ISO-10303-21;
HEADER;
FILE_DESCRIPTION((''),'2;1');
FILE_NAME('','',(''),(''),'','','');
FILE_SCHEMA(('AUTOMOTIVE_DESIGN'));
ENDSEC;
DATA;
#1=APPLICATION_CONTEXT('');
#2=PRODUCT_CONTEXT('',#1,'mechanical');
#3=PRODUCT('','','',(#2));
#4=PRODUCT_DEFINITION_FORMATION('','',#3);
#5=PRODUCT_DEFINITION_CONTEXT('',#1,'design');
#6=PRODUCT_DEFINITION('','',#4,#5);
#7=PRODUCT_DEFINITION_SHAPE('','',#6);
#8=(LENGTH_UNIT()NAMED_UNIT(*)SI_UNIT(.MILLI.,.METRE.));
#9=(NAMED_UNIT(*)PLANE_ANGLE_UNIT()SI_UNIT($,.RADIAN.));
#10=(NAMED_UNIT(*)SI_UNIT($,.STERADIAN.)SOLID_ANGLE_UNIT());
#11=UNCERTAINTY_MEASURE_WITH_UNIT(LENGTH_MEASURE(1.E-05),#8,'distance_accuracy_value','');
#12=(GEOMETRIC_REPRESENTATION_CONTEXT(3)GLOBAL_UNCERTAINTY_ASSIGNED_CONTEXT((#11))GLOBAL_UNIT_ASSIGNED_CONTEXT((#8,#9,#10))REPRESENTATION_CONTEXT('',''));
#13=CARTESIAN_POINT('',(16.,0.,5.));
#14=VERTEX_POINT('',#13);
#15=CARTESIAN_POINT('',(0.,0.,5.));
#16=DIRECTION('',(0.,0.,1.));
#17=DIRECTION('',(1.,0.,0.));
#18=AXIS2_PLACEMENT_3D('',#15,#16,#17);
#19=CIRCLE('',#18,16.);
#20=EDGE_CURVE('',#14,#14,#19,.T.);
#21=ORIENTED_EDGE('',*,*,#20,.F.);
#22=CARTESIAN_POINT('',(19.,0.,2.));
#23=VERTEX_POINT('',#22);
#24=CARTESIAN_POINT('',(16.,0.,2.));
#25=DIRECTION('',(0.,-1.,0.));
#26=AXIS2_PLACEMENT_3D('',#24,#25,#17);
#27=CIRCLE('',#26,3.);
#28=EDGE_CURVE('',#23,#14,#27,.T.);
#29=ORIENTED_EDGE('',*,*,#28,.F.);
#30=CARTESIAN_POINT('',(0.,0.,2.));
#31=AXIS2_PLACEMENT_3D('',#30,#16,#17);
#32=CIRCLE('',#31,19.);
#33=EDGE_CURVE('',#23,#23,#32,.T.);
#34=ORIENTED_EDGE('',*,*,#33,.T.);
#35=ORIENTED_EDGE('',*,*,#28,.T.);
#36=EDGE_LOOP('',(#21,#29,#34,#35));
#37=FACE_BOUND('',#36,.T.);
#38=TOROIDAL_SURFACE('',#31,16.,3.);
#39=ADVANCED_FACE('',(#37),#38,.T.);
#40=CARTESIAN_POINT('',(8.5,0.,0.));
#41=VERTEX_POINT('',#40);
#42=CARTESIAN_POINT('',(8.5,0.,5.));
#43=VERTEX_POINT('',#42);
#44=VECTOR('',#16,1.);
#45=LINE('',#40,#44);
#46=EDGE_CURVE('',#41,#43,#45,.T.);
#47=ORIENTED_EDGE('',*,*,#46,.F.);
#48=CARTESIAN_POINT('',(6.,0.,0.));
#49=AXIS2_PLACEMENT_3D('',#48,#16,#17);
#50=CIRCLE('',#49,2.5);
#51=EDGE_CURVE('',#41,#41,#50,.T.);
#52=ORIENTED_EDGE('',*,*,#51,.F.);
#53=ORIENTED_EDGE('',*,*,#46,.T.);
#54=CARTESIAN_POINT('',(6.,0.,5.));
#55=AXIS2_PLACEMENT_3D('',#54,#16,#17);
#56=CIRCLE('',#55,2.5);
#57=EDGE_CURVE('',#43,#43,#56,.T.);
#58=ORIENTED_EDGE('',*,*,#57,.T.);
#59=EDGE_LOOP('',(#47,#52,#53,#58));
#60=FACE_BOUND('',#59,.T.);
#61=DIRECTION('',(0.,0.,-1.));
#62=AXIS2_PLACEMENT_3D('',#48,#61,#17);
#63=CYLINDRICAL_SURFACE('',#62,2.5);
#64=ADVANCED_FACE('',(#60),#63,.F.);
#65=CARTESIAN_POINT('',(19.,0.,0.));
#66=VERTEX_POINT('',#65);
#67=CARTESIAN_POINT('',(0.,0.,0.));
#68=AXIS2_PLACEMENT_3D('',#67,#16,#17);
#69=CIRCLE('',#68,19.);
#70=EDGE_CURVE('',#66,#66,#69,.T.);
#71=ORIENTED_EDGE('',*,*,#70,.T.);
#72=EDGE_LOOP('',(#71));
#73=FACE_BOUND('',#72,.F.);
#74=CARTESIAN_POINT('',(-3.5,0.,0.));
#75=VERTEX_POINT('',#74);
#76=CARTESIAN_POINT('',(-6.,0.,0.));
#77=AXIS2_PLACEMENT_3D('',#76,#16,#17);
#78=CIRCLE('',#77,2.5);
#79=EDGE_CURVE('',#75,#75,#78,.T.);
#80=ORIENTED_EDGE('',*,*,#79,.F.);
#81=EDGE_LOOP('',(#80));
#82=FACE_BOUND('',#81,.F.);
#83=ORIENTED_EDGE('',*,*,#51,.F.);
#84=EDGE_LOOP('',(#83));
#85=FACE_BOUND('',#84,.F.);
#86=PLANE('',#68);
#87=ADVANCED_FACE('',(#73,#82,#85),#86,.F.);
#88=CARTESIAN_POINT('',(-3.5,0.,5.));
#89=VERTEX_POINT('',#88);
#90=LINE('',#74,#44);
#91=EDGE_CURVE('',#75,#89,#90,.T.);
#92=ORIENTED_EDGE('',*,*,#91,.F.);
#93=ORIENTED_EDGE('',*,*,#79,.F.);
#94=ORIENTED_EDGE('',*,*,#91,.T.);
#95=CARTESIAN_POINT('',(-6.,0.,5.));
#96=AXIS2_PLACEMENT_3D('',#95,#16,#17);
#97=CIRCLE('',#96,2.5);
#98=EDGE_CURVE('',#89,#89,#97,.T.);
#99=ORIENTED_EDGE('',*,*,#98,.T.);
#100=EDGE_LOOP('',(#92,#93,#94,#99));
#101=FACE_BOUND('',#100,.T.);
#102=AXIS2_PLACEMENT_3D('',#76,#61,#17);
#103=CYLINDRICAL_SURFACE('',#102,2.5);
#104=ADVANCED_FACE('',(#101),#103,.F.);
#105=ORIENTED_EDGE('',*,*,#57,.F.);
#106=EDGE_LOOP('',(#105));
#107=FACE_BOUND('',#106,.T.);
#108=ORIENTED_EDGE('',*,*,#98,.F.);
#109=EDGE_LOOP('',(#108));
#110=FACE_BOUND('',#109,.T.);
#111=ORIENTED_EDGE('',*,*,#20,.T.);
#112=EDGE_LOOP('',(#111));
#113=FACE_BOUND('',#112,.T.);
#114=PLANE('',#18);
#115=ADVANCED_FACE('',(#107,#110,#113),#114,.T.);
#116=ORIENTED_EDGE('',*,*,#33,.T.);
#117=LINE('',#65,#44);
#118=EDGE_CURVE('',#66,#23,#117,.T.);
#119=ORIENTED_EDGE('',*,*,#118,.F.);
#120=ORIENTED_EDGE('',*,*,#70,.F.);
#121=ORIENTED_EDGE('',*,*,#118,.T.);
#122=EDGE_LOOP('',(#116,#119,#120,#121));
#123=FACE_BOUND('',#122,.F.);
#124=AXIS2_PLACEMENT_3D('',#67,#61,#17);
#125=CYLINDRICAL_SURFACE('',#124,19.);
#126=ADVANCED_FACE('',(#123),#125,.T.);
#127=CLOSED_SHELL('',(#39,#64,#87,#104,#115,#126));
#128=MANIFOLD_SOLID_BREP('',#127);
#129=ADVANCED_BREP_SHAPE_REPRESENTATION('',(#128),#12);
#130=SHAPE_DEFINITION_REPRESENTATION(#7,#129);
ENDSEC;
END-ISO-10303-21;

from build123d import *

# Parameters (mm, degrees)
F0_R     = 19
F0_R_2   = 2.5
F1_DEPTH = 5
F2_R     = 3


with BuildPart() as f1:
    # F0 (on Top) → F1 (new body)
    with BuildSketch(Plane.XY):
        Circle(F0_R)
        with Locations((-6, 0)):
            Circle(F0_R_2, mode=Mode.SUBTRACT)
        with Locations((6, 0)):
            Circle(F0_R_2, mode=Mode.SUBTRACT)
    extrude(amount=F1_DEPTH)

    # F2
    f2_edges = [f1.edges().sort_by_distance(p)[0] for p in [
        (-19, 0, 5),
    ]]
    fillet(f2_edges, radius=F2_R)


solid = f1.part
